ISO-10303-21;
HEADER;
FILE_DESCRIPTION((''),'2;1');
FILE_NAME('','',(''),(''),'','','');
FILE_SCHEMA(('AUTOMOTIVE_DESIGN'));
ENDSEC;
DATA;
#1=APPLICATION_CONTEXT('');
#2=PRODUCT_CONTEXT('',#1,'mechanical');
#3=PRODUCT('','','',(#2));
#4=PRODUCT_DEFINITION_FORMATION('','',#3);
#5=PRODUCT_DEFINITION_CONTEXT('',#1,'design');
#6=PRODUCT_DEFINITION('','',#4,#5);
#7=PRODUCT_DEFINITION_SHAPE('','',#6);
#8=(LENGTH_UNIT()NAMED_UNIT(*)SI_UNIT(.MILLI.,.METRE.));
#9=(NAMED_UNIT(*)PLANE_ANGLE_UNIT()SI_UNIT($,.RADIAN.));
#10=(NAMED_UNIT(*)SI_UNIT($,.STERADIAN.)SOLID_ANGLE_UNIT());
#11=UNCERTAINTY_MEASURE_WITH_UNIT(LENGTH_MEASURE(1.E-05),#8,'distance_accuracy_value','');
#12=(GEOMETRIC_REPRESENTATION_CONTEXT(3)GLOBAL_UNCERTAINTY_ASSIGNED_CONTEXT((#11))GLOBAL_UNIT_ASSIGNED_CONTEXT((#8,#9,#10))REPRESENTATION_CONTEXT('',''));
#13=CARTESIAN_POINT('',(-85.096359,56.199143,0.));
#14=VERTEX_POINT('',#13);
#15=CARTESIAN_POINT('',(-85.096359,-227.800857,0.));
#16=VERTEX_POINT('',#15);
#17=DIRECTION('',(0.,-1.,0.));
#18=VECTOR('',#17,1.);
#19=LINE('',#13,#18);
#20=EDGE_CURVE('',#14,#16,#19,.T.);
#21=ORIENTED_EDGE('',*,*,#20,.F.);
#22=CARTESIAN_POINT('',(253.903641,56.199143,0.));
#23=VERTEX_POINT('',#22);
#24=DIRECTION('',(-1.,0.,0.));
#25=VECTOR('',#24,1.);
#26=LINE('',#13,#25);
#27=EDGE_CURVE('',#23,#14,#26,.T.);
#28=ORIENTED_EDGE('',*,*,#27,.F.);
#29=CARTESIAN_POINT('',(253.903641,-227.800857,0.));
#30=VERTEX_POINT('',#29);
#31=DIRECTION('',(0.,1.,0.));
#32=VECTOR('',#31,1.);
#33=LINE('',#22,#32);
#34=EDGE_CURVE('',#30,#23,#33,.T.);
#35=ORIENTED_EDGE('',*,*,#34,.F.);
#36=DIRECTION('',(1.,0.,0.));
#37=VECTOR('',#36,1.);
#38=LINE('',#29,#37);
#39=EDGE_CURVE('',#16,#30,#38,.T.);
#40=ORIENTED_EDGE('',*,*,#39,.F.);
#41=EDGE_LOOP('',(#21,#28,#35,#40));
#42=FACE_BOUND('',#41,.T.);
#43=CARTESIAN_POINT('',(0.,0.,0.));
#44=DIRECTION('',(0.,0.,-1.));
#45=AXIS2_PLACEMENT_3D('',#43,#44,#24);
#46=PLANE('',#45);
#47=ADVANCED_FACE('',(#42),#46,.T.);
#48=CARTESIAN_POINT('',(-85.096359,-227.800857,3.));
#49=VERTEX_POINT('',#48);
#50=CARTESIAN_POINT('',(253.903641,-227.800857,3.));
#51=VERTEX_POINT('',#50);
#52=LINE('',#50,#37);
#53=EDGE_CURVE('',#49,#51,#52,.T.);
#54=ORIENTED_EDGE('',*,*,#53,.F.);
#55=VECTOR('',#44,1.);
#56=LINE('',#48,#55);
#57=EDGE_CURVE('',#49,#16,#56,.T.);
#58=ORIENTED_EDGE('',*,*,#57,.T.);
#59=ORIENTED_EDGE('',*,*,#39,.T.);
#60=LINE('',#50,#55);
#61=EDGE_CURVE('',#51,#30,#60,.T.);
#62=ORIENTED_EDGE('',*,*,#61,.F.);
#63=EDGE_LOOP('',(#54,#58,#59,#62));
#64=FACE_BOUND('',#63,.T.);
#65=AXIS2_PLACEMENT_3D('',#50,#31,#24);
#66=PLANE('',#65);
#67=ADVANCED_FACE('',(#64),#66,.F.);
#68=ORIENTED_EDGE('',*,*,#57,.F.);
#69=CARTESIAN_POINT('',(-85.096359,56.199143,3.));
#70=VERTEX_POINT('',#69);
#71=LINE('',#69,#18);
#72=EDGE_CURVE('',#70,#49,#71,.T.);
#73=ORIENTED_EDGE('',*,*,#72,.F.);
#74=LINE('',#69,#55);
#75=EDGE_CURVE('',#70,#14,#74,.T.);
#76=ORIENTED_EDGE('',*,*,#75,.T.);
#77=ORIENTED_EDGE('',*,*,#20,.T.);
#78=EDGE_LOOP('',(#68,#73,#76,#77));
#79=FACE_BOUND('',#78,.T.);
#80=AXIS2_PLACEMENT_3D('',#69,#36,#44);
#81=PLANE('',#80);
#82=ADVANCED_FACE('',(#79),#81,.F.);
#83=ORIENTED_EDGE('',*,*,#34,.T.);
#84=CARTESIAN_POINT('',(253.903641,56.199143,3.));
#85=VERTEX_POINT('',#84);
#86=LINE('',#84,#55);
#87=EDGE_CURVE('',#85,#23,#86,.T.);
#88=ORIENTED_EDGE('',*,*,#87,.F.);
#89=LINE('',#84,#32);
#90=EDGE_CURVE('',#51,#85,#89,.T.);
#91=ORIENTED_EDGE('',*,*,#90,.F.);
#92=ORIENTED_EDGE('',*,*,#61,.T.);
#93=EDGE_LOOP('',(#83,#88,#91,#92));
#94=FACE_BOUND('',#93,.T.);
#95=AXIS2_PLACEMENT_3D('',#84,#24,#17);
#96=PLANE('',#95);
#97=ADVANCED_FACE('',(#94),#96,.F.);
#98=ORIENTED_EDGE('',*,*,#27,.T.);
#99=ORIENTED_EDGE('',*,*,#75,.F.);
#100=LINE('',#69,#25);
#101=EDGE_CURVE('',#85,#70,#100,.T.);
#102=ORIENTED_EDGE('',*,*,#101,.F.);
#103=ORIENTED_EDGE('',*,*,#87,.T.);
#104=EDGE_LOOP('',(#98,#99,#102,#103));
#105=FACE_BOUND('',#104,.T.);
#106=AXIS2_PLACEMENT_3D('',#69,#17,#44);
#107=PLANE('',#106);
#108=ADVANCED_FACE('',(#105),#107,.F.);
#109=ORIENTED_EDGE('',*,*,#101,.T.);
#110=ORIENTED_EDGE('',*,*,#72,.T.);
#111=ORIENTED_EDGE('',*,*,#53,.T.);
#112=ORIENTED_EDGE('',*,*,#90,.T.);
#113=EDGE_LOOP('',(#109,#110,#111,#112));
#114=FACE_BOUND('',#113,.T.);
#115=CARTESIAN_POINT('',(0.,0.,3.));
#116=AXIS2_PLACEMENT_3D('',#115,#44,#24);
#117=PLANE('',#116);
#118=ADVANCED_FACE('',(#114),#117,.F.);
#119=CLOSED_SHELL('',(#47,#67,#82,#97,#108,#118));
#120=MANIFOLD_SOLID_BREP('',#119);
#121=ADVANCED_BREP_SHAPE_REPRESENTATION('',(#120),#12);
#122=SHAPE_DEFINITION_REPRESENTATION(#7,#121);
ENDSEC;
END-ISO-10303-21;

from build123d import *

# Parameters (mm, degrees)
SKETCH_1_W      = 339
SKETCH_1_H      = 284
EXTRUDE_1_DEPTH = 3


with BuildPart() as part:
    # 草图1 → 凸台-拉伸1 (new body)
    with BuildSketch(Plane.XY):
        with Locations((84.403640613, -85.800857139)):
            Rectangle(SKETCH_1_W, SKETCH_1_H)
    extrude(amount=EXTRUDE_1_DEPTH)


solid = part.part
